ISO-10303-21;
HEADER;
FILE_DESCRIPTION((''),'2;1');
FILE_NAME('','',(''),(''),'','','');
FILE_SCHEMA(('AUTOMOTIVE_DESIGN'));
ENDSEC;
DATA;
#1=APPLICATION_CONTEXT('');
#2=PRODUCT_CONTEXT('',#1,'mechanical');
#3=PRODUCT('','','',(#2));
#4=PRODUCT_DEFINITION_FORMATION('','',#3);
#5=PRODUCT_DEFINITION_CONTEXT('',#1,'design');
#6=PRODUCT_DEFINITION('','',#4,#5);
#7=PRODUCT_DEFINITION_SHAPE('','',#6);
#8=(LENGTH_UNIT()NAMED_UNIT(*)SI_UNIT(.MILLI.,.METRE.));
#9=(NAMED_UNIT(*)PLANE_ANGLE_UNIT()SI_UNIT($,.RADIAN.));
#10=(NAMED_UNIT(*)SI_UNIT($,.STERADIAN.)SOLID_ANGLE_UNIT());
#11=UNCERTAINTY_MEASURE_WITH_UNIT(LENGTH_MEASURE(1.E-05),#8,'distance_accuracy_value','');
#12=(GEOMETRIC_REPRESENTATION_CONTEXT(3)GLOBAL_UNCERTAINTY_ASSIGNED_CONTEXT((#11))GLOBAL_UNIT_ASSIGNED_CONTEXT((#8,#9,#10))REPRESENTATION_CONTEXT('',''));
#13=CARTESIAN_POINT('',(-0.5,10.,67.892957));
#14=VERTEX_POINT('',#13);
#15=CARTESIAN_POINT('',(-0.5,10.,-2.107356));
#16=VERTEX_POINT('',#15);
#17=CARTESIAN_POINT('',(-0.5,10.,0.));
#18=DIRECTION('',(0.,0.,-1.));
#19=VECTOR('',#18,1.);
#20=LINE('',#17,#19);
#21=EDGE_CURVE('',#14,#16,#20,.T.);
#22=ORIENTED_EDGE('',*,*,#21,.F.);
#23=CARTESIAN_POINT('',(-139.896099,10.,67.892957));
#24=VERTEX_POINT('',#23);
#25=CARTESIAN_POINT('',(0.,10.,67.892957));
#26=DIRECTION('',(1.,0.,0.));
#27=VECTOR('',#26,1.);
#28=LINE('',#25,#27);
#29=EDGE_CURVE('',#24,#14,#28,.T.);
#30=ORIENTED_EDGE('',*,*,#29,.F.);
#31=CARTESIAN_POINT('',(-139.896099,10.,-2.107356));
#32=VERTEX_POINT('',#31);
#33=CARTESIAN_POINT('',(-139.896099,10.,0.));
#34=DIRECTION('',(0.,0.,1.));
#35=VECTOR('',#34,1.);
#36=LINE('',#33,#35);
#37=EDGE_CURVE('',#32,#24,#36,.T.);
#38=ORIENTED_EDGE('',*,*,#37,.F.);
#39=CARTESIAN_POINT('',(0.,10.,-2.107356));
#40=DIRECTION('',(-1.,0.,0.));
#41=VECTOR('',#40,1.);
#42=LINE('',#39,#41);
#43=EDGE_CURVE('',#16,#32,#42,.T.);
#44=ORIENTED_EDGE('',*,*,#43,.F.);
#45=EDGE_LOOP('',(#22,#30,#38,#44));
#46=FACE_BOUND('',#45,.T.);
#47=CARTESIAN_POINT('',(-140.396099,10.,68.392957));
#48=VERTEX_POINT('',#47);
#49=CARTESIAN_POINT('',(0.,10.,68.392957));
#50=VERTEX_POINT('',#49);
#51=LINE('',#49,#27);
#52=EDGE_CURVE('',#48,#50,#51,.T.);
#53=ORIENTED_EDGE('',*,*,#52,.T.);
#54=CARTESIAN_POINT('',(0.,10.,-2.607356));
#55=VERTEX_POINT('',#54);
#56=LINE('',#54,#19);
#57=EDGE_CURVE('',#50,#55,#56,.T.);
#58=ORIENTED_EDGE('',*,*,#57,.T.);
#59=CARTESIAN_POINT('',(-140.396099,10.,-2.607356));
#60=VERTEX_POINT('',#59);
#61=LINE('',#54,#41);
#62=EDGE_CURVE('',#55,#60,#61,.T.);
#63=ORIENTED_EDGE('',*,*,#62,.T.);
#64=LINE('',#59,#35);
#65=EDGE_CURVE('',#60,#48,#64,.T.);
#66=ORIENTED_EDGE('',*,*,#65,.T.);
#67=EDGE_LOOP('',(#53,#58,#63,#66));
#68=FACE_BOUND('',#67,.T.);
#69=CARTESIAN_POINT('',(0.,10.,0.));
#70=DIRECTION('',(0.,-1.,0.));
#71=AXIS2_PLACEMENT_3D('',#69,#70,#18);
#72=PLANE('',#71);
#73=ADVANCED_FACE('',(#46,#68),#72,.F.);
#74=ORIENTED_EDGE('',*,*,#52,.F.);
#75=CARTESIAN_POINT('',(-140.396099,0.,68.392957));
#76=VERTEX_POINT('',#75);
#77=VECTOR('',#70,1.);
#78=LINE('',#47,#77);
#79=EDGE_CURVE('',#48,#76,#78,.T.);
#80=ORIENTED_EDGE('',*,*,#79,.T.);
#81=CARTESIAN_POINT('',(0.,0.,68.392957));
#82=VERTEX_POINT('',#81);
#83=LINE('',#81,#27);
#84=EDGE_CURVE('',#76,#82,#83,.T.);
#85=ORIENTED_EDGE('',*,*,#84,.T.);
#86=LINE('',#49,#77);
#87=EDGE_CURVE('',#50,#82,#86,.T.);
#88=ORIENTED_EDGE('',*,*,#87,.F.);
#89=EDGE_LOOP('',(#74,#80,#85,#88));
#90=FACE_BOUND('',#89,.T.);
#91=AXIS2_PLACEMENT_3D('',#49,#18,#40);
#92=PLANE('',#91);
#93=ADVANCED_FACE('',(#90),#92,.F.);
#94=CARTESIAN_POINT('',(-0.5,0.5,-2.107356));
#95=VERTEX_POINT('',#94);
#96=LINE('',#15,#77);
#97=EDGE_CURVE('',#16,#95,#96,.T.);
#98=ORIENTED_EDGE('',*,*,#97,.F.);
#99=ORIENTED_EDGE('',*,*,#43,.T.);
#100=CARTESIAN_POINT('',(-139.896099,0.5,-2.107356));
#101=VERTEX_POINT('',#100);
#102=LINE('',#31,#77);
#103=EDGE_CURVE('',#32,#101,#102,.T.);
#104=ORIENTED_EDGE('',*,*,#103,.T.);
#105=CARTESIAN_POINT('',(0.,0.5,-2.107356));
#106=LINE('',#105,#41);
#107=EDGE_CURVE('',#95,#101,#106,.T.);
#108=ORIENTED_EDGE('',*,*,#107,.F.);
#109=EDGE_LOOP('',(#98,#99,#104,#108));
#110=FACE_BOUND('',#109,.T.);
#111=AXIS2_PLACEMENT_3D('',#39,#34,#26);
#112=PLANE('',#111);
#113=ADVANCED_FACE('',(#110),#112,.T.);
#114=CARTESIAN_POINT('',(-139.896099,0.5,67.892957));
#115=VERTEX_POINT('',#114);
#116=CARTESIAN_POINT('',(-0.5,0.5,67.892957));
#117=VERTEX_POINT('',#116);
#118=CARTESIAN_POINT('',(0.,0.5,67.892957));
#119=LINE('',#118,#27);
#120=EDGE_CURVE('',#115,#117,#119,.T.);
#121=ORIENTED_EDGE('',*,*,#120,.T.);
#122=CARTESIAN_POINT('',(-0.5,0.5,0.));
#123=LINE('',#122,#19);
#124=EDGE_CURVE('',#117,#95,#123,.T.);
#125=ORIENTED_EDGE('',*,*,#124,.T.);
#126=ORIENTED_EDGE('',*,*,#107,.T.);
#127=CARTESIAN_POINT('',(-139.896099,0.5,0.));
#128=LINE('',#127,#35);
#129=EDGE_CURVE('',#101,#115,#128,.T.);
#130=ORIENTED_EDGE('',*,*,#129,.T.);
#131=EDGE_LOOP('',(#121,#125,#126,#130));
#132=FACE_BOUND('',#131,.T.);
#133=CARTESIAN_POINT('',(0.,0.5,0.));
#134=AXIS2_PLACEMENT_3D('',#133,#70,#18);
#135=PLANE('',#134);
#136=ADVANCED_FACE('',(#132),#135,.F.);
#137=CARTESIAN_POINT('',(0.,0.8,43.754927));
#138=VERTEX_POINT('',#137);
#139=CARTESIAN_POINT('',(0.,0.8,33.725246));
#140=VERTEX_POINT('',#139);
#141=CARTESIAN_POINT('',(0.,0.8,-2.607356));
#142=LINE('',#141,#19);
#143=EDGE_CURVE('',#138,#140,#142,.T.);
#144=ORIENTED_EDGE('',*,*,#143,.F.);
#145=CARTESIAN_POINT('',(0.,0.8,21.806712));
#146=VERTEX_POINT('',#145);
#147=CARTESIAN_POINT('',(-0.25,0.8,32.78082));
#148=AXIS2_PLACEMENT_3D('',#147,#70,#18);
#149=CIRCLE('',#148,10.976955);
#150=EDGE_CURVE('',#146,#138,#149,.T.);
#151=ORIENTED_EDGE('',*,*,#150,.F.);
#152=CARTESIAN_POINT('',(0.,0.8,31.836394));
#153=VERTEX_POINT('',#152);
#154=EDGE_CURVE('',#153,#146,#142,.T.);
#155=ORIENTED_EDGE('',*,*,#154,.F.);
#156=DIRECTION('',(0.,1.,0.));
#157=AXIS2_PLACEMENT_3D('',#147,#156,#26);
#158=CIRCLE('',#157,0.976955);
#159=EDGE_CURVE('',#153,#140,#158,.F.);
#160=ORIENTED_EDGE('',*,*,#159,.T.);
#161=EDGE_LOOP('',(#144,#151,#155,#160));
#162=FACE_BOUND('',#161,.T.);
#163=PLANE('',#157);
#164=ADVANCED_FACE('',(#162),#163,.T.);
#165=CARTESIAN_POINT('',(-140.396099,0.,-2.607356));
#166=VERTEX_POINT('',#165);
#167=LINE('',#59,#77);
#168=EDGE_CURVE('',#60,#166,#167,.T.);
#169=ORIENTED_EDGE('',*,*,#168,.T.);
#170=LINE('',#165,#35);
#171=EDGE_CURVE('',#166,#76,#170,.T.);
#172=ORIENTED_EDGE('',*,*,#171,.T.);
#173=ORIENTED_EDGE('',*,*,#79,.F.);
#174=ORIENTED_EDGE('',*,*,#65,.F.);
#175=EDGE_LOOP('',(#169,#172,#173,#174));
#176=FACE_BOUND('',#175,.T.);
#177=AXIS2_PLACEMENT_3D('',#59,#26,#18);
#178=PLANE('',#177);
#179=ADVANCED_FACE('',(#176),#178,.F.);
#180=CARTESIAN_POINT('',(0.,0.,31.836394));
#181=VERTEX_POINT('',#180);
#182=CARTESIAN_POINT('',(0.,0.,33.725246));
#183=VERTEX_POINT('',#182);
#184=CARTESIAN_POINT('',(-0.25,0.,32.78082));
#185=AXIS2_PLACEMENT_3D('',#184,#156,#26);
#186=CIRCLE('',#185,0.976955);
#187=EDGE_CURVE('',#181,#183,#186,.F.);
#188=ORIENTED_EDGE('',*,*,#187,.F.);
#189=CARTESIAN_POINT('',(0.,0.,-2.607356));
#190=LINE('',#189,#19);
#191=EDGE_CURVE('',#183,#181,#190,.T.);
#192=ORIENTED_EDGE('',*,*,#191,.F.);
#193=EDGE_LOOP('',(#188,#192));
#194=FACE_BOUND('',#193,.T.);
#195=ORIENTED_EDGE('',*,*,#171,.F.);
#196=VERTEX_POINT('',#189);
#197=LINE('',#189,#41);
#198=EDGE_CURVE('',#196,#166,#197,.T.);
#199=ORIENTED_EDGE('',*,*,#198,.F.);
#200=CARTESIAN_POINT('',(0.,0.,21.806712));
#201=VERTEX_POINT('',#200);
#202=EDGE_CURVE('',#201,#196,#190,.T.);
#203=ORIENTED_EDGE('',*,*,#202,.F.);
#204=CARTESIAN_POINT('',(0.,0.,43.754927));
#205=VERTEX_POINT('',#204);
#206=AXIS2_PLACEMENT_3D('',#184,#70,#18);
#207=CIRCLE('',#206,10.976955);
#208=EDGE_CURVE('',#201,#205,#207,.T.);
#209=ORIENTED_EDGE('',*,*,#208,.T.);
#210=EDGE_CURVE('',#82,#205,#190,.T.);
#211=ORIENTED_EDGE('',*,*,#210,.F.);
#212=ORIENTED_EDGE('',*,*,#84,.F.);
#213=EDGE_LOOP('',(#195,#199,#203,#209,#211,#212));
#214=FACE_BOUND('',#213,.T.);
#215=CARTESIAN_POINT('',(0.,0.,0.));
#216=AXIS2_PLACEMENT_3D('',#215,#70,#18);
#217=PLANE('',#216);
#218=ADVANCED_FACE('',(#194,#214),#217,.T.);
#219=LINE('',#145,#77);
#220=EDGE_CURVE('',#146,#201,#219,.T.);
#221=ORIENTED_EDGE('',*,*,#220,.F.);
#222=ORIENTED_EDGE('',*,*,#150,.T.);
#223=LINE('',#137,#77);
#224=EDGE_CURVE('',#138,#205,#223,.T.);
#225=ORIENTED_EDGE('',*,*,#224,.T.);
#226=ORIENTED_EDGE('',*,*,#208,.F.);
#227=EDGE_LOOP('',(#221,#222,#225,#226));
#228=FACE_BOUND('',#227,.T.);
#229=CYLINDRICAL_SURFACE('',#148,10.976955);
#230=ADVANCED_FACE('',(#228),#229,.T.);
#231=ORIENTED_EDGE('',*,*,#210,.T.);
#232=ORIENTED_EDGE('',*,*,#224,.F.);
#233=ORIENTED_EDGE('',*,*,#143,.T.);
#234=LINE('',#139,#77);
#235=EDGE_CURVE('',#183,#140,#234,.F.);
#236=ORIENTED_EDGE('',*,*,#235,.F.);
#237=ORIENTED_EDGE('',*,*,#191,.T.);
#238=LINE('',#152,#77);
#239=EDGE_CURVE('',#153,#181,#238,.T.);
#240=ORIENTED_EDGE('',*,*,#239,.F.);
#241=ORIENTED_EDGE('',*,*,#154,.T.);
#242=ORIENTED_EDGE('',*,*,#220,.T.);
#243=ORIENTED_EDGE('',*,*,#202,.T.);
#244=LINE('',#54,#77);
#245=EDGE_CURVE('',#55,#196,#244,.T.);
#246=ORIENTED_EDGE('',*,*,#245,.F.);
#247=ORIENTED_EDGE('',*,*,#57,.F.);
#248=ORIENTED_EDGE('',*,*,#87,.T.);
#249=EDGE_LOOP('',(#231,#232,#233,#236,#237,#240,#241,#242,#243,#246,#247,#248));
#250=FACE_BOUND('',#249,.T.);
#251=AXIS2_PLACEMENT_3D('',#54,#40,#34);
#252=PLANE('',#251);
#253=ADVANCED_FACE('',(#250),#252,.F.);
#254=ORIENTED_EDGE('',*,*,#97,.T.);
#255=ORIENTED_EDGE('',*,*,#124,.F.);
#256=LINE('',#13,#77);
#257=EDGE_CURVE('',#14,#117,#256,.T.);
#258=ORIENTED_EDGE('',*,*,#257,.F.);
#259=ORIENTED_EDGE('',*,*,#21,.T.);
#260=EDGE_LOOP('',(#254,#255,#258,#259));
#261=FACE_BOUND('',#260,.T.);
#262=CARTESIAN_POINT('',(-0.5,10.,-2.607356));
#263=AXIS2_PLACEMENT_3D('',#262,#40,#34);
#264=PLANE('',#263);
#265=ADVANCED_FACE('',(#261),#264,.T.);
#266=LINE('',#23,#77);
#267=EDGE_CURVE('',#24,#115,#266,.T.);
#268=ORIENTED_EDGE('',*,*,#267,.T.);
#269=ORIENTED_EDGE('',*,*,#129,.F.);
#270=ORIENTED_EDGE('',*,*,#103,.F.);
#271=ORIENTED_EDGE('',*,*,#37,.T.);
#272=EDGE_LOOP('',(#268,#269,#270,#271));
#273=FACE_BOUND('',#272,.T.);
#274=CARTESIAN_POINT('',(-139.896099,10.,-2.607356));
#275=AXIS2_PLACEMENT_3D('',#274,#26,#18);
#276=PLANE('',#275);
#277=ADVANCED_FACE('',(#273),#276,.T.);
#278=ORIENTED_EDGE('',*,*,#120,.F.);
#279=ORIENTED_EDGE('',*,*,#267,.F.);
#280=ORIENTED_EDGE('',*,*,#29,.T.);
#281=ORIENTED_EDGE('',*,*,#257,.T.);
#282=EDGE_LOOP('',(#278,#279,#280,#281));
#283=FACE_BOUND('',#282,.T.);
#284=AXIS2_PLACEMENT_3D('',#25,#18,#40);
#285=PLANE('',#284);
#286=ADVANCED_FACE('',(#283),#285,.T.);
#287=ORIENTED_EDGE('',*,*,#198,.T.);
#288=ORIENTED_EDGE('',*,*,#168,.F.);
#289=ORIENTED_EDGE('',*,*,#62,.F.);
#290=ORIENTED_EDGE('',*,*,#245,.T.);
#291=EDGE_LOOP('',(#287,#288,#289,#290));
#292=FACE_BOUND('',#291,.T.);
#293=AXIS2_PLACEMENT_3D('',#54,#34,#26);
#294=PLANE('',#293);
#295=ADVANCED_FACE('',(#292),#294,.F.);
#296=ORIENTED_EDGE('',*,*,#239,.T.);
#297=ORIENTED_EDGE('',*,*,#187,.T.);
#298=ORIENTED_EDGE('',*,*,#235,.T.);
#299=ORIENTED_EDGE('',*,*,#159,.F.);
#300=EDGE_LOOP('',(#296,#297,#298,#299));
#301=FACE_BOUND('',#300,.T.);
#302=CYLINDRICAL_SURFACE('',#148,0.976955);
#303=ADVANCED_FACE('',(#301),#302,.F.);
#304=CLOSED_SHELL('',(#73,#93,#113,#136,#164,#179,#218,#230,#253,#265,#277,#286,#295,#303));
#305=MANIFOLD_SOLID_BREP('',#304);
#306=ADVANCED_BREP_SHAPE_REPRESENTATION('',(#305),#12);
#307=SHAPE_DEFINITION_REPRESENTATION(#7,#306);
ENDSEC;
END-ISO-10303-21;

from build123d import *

# Parameters (mm, degrees)
CROQUIS1_W              = 140.396098848
CROQUIS1_H              = 71.000312846
SALIENTE_EXTRUIR1_DEPTH = 10
VACIADO1_T              = -0.5
EXTRUIR_L_MINA1_DEPTH   = 0.8


with BuildPart() as part:
    # Croquis1 → Saliente-Extruir1 (new body)
    with BuildSketch(Plane(origin=(0, 0, 0), x_dir=(1, 0, 0), z_dir=(0, 1, 0))):
        with Locations((-70.198049424, -32.892800302)):
            Rectangle(CROQUIS1_W, CROQUIS1_H)
    extrude(amount=SALIENTE_EXTRUIR1_DEPTH)

    # Vaciado1
    vaciado1_openings = [part.faces().sort_by_distance(p)[0] for p in [
        (-70.198049424, 10, 32.892800302),
    ]]
    offset(amount=VACIADO1_T, openings=vaciado1_openings, kind=Kind.INTERSECTION)

    # Croquis2 → Extruir-Lámina1 (add)
    with BuildSketch(Plane(origin=(0, 0, 0), x_dir=(1, 0, 0), z_dir=(0, 1, 0))):
        with BuildLine():
            ThreePointArc((-0.5, -21.806712241), (10.724107373, -32.530819614), (0, -43.754926987))
            Line((0, -43.754926987), (-0.227749871, -33.757520824))
            ThreePointArc((-0.227749871, -33.757520824), (0.72670121, -32.758569485), (-0.272250129, -31.804118404))
            Line((-0.272250129, -31.804118404), (-0.5, -21.806712241))
        make_face()
    extrude(amount=EXTRUIR_L_MINA1_DEPTH)


solid = part.part
